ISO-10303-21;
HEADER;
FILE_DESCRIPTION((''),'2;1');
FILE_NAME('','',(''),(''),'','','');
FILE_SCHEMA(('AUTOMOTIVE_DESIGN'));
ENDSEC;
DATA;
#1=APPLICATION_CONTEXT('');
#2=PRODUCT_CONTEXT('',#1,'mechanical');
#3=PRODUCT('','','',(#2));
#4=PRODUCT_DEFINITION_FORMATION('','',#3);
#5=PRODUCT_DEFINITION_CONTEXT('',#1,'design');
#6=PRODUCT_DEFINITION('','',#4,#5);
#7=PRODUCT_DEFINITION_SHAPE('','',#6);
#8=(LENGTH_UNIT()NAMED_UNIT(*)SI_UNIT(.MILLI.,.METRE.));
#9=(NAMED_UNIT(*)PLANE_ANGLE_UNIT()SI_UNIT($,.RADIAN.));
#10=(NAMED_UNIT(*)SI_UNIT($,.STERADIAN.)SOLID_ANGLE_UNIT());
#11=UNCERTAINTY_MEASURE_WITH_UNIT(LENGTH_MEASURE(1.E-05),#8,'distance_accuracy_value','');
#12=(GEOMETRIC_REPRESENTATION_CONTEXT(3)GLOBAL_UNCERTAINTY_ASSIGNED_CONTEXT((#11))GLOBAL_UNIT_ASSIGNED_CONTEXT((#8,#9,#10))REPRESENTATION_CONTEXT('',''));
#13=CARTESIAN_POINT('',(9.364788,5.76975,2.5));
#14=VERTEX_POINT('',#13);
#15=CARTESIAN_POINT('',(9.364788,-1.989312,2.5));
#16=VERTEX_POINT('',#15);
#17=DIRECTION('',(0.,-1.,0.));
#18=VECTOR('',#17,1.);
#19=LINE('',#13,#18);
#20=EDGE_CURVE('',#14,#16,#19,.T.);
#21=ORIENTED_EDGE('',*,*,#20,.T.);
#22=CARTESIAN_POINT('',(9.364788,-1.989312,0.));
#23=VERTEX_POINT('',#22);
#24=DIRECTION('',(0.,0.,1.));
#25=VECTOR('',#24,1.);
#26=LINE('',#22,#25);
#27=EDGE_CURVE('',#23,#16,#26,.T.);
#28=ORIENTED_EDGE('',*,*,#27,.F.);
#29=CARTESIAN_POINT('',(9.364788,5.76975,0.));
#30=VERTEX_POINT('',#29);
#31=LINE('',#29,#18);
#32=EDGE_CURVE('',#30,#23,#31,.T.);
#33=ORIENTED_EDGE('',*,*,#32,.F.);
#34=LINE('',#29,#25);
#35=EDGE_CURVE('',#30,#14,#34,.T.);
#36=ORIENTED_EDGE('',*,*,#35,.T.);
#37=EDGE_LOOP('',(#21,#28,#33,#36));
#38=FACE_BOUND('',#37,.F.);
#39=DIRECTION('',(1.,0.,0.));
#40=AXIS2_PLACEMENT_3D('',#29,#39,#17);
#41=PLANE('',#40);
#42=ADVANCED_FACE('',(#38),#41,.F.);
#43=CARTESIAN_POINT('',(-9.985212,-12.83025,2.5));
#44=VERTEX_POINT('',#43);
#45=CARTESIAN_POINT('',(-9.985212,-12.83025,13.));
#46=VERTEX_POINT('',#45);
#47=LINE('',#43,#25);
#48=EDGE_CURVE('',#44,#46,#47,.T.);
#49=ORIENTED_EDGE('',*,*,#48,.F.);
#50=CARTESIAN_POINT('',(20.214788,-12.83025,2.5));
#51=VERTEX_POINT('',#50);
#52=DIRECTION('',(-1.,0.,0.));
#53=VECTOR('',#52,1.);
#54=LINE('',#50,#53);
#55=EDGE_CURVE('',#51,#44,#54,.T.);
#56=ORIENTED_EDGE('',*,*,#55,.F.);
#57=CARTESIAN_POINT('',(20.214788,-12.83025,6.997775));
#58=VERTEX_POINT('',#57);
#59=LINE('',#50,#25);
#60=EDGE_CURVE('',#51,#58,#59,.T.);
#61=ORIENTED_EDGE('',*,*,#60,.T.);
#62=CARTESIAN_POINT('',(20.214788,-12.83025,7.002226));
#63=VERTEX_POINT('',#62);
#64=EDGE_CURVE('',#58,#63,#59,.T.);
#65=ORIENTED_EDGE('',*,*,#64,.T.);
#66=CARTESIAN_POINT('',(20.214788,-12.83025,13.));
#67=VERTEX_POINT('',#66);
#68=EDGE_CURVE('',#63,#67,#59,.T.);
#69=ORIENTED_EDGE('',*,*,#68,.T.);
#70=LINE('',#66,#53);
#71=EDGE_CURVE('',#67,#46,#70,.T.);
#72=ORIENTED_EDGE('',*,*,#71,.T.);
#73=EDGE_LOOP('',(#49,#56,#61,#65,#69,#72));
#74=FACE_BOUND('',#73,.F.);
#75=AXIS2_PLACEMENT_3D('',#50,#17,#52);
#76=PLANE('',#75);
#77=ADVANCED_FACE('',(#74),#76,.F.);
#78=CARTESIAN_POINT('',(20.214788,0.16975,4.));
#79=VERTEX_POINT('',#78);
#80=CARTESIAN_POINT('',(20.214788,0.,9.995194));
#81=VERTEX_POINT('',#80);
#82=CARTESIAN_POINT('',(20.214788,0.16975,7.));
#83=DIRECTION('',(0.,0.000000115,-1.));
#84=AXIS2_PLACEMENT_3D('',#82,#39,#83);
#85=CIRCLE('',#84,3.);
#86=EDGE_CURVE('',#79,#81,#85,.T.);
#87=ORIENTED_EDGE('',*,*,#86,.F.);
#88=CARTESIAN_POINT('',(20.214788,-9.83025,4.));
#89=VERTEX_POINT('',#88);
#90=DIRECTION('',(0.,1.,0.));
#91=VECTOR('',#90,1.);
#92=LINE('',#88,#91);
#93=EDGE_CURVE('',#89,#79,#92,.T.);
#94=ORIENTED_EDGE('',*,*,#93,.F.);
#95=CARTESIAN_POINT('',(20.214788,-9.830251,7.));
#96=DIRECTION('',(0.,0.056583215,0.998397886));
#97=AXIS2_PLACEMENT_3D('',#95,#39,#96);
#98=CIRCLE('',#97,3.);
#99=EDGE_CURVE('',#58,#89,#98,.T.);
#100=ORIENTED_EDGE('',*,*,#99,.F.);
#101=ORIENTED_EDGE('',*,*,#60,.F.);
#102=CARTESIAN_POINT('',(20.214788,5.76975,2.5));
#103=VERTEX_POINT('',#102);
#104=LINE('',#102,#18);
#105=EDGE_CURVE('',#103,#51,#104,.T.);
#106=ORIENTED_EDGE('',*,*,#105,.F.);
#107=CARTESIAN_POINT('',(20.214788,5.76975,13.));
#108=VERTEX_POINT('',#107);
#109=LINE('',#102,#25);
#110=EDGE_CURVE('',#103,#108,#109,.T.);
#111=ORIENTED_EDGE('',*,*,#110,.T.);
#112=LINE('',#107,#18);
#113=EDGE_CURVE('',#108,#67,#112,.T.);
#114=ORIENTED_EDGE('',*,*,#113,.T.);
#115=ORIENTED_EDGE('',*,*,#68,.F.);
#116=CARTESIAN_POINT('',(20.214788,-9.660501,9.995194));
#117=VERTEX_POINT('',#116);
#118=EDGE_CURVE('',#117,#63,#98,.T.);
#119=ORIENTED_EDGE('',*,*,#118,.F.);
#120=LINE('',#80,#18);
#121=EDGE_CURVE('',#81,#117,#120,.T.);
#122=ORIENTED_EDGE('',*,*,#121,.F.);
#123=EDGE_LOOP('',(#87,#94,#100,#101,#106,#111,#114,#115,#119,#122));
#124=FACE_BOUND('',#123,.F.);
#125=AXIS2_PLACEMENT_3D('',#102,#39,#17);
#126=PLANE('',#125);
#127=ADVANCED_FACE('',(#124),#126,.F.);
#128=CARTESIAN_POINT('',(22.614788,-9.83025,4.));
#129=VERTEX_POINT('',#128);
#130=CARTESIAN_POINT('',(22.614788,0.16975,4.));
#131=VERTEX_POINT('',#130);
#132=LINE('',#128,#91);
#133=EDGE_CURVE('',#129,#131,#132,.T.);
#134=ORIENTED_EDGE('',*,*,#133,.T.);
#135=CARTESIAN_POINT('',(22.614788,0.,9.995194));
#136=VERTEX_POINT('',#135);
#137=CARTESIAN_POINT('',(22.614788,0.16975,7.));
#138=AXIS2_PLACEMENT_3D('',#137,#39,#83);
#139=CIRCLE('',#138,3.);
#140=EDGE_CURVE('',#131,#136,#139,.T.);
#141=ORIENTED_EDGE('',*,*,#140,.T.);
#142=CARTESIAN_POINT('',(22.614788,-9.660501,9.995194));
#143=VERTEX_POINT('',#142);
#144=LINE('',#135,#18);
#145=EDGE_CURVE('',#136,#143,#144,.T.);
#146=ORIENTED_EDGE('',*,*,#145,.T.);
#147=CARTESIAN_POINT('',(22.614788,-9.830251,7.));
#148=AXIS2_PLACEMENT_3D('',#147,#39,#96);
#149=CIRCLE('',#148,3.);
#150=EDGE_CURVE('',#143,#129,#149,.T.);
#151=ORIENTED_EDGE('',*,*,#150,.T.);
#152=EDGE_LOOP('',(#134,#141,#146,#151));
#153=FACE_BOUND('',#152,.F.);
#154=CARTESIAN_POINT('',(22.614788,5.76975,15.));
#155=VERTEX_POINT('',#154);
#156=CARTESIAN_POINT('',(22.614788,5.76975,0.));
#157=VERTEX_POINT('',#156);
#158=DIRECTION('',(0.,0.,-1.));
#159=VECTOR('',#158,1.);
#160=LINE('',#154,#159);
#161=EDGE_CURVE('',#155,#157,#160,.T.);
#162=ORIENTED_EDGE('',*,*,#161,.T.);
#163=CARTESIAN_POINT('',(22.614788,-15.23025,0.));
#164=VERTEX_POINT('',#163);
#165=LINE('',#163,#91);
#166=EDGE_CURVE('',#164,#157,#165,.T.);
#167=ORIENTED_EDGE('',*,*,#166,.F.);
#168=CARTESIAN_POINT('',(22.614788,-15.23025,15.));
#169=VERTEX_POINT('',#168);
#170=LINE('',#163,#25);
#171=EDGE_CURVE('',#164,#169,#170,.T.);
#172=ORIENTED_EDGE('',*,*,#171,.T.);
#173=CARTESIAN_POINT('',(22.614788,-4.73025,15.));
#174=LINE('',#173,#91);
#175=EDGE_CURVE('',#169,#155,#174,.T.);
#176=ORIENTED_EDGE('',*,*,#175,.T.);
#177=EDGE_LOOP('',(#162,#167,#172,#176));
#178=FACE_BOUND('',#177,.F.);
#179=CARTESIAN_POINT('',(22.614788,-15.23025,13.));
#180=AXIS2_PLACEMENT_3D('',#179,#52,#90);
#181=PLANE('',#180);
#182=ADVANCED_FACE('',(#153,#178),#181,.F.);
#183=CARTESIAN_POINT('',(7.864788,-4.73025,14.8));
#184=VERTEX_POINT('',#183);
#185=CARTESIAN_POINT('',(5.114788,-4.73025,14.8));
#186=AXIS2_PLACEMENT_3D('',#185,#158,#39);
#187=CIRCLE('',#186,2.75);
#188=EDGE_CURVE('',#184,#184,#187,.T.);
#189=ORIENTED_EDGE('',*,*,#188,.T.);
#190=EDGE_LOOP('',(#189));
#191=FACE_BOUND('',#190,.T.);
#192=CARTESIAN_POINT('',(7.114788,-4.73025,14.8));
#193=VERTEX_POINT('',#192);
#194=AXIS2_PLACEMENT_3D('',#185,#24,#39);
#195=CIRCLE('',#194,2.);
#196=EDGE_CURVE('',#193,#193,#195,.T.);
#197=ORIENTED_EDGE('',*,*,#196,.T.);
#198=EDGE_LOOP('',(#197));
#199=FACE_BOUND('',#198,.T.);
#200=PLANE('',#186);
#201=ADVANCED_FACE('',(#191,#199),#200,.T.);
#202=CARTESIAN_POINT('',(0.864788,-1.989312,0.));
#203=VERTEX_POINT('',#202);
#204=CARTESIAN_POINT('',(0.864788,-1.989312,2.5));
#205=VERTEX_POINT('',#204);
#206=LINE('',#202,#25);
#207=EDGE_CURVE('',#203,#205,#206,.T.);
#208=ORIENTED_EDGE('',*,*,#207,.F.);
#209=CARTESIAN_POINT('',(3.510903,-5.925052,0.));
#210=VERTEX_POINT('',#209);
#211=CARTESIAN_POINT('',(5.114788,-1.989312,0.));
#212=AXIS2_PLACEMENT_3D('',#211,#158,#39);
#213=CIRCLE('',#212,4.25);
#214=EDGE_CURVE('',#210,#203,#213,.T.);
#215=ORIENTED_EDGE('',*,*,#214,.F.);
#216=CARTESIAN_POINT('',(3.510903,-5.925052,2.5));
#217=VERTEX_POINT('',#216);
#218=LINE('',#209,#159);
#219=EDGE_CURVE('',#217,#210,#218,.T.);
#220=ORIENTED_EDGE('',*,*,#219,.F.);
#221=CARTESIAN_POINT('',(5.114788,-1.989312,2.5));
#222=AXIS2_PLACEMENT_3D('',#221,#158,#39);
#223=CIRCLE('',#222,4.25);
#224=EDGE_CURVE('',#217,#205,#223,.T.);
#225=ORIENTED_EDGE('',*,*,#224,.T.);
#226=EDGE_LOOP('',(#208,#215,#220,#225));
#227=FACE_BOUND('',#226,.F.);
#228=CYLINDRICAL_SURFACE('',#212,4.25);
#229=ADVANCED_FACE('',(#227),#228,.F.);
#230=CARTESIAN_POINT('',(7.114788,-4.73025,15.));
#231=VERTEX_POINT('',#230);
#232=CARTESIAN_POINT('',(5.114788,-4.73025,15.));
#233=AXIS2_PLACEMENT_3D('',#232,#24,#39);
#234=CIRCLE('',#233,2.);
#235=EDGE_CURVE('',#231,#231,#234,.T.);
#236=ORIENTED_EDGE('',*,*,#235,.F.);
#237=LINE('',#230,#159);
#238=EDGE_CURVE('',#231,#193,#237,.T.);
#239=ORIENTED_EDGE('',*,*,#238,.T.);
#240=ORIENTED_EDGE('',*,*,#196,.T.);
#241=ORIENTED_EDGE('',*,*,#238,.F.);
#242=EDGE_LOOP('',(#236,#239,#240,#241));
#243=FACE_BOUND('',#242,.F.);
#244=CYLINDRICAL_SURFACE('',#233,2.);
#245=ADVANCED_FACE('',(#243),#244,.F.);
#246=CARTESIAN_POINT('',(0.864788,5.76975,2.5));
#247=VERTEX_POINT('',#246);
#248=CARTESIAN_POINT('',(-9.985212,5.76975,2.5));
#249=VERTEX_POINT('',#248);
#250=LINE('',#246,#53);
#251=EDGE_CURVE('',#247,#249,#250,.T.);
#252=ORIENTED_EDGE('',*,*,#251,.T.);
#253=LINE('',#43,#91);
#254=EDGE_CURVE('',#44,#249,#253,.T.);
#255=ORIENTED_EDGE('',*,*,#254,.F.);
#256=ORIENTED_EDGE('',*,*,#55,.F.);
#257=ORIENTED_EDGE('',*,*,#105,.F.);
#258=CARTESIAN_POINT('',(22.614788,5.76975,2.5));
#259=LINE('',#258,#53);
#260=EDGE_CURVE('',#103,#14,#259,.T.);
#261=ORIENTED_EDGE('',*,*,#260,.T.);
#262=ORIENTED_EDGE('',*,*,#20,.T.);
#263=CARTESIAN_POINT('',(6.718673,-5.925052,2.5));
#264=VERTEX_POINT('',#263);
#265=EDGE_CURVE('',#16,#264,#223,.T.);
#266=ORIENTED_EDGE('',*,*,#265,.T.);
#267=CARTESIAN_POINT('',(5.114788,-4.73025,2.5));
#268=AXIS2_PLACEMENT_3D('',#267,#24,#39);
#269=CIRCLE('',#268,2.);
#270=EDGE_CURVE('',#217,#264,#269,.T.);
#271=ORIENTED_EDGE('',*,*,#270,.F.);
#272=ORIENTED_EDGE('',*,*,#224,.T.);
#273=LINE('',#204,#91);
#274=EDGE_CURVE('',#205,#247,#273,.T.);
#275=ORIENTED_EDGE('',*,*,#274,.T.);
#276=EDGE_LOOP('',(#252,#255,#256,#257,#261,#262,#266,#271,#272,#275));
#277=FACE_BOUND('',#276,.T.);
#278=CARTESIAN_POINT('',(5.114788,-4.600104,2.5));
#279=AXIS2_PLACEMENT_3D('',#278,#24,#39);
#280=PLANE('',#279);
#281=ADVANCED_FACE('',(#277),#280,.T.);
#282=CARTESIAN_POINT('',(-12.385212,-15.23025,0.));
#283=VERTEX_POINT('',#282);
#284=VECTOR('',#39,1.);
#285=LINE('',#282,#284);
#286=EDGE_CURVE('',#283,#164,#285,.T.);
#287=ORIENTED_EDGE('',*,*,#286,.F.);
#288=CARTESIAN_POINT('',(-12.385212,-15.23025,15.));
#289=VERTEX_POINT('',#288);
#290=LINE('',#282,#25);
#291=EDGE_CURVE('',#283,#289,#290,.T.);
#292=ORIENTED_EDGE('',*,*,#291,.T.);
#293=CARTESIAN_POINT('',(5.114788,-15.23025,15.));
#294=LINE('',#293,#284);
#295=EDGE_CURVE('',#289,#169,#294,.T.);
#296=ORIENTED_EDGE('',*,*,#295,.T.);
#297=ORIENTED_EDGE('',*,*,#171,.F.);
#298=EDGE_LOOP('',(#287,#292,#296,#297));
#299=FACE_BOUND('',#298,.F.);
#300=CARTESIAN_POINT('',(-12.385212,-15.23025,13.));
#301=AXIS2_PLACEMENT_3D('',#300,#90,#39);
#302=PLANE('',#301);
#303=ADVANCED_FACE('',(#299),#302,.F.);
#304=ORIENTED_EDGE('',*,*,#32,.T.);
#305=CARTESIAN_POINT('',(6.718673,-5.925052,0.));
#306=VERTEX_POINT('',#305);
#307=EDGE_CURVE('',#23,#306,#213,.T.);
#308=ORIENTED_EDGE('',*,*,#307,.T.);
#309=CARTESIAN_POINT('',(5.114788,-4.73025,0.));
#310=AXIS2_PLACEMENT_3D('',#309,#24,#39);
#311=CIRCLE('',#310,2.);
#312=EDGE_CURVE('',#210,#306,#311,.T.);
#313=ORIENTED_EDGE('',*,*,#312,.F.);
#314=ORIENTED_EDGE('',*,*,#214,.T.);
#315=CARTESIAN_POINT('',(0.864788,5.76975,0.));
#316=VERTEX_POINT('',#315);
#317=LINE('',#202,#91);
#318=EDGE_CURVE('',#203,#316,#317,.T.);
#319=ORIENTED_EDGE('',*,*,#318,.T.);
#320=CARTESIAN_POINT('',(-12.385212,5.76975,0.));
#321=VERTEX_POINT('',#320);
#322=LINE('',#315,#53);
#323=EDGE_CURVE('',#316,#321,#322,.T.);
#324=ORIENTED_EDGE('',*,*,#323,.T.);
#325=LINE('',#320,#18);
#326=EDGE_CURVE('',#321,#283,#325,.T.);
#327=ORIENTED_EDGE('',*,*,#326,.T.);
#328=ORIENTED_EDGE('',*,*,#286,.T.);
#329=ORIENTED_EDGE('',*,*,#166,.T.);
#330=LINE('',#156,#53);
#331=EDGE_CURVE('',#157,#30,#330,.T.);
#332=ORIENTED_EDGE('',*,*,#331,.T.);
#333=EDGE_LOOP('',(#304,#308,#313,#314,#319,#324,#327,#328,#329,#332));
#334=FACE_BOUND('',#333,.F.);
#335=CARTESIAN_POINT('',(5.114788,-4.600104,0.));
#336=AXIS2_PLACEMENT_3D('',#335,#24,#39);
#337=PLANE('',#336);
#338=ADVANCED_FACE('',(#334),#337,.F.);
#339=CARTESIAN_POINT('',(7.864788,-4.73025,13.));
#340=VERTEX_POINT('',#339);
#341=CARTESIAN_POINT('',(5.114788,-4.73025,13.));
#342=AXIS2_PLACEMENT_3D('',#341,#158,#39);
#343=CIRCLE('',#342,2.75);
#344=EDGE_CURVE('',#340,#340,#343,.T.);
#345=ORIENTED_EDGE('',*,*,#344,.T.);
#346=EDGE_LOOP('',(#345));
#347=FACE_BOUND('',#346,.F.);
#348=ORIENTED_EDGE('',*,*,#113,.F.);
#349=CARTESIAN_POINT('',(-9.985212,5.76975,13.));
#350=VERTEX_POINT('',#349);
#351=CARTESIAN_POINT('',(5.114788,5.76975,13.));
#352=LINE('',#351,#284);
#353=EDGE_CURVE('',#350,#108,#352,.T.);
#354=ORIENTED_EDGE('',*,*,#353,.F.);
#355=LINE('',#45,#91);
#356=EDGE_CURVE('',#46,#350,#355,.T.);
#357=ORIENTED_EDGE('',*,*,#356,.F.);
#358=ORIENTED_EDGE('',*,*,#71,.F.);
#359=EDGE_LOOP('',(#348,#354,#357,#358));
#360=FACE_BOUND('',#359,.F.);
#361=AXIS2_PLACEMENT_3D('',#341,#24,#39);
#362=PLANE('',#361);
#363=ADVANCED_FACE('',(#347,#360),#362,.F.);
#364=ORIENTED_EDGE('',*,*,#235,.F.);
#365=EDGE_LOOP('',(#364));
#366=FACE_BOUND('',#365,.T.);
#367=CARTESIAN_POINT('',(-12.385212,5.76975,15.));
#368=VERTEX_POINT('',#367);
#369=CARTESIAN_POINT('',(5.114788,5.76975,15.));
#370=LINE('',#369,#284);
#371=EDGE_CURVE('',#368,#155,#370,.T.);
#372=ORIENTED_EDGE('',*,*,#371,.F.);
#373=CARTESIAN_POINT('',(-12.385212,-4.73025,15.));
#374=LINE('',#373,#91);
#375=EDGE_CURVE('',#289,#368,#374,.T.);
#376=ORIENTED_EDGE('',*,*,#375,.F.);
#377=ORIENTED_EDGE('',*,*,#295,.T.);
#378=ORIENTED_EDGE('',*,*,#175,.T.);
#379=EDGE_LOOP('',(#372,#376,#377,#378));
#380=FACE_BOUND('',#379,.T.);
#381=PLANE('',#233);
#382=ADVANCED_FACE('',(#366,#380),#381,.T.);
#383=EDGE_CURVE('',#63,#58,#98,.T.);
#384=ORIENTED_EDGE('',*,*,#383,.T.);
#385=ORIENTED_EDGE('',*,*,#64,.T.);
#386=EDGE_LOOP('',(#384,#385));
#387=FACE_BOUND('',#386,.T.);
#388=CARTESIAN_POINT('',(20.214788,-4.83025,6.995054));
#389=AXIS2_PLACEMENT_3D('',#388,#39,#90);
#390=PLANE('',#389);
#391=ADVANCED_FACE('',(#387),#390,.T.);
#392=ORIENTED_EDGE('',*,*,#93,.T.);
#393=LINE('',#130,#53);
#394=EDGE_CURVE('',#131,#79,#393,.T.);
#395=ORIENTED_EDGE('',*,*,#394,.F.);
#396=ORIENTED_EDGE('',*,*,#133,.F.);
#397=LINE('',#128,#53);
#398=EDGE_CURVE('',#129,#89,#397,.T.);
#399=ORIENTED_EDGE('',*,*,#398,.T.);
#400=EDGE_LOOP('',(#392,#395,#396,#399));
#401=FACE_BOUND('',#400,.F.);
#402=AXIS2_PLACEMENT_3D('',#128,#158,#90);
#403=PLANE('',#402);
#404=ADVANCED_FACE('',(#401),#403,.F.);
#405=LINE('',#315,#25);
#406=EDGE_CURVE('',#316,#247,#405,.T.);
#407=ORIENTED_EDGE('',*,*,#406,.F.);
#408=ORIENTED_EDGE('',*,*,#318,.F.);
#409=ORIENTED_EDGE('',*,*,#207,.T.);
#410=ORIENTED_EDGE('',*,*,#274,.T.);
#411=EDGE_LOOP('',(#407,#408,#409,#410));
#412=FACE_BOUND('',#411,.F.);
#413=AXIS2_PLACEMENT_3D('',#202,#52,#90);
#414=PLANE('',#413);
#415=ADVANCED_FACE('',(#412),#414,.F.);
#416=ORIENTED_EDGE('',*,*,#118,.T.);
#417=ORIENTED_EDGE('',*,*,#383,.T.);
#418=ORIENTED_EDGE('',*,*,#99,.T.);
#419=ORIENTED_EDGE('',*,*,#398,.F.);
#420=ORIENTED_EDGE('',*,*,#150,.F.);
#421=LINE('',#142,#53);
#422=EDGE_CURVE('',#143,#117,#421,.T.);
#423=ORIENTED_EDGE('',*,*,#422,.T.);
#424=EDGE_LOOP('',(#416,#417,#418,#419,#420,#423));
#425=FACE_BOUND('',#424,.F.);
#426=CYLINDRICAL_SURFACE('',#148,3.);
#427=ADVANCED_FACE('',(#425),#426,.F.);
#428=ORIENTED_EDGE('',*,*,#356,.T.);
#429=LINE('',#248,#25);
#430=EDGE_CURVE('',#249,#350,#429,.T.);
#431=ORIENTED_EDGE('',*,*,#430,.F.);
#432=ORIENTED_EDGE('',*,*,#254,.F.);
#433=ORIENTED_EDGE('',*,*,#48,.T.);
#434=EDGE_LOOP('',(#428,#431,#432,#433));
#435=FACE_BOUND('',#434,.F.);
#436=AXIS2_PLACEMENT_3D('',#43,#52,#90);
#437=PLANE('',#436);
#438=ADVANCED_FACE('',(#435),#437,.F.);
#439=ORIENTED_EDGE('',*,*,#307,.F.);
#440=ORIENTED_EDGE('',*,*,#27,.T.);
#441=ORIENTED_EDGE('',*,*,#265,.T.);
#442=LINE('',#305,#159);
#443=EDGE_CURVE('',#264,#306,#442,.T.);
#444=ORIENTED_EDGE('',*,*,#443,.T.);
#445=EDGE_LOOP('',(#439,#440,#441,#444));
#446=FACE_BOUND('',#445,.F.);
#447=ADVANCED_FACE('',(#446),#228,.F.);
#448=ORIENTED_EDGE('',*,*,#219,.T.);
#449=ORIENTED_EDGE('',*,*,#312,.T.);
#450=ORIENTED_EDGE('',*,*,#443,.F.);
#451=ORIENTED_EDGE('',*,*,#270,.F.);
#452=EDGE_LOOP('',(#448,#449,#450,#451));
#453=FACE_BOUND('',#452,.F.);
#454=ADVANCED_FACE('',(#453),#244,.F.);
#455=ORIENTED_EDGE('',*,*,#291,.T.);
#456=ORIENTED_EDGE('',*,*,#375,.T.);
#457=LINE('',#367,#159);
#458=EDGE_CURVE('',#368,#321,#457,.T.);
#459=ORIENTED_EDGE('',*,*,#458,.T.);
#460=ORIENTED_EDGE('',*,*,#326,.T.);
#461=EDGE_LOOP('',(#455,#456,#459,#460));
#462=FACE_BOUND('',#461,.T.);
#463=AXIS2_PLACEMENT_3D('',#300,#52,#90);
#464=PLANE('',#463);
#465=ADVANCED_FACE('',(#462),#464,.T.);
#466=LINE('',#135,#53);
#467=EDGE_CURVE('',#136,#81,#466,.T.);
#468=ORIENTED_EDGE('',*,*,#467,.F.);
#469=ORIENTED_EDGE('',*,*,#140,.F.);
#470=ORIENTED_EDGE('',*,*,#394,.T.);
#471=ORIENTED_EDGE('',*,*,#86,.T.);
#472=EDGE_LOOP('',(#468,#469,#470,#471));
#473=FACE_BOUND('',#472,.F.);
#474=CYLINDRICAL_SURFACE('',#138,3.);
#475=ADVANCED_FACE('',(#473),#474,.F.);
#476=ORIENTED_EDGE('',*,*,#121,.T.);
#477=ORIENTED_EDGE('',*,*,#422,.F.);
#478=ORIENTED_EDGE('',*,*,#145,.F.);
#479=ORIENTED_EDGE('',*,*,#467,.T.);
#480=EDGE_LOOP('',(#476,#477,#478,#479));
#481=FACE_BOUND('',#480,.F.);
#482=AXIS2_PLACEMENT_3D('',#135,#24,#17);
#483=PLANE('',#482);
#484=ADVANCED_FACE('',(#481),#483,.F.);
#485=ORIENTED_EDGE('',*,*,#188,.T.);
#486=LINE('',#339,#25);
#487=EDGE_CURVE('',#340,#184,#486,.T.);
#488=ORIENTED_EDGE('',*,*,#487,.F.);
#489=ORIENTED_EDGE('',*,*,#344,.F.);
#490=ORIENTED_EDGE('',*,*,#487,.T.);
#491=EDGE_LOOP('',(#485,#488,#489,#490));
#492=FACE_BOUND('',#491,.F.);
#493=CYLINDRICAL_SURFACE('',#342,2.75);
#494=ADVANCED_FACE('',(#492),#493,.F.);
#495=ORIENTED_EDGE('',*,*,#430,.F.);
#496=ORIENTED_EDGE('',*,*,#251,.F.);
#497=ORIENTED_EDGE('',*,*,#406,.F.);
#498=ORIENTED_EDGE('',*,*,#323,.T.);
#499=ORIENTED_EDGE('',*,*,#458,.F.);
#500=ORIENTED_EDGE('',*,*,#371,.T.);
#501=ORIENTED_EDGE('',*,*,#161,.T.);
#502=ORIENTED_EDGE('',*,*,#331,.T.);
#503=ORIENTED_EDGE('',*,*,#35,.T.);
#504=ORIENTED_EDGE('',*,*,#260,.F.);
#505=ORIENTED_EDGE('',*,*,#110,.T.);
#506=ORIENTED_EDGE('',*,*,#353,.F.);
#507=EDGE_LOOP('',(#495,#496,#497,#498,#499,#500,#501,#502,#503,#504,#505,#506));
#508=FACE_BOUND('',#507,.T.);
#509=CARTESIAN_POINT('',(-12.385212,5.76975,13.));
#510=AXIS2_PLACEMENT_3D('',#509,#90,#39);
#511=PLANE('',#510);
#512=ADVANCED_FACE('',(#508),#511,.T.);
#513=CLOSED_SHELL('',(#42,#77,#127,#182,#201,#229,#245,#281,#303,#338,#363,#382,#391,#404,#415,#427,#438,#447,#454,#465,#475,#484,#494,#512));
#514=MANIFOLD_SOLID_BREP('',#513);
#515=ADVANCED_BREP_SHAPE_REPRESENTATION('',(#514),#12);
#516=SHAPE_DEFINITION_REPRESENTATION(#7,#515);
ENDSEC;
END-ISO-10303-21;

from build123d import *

# Parameters (mm, degrees)
F1_DEPTH  = 2.5
F3_DEPTH  = 10.5
F4_W      = 35
F4_H      = 21
F5_DEPTH  = 2
F7_DEPTH  = 2.4
F8_R      = 2
F9_DEPTH  = 25
F10_R     = 2.75
F11_DEPTH = 1.8


with BuildPart() as f1:
    # F0 (on Top) → F1 (new body)
    with BuildSketch(Plane.XY):
        with BuildLine():
            Line((0.864788, 5.76975), (-12.385212, 5.76975))
            Line((-12.385212, 5.76975), (-12.385212, -15.23025))
            Line((-12.385212, -15.23025), (22.614788, -15.23025))
            Line((22.614788, -15.23025), (22.614788, 5.76975))
            Line((22.614788, 5.76975), (9.364788, 5.76975))
            Line((9.364788, 5.76975), (9.364788, -1.989312))
            ThreePointArc((9.364788, -1.989312), (5.114788, -6.239312), (0.864788, -1.989312))
            Line((0.864788, -1.989312), (0.864788, 5.76975))
        make_face()
    extrude(amount=F1_DEPTH)

    # F2 (on face) → F3 (join)
    with BuildSketch(Plane.XY.offset(2.5)):
        Polygon((-9.985212, 5.76975), (-12.385212, 5.76975), (-12.385212, -15.23025), (22.614788, -15.23025), (22.614788, 5.76975), (20.214788, 5.76975), (20.214788, -12.83025), (-9.985212, -12.83025), align=None)
    extrude(amount=F3_DEPTH)

    # F4 (on face) → F5 (join)
    with BuildSketch(Plane.XY.offset(13)):
        with Locations((5.114788, -4.73025)):
            Rectangle(F4_W, F4_H)
    extrude(amount=F5_DEPTH)

    # F6 (on face) → F7 (cut)
    with BuildSketch(Plane.YZ.offset(22.614788)):
        with BuildLine():
            Line((-9.83025, 4), (0.16975, 4))
            ThreePointArc((0.16975, 4), (3.168548, 7.084909), (0, 9.995194))
            Line((0, 9.995194), (-9.660501, 9.995194))
            ThreePointArc((-9.660501, 9.995194), (-12.829049, 7.084909), (-9.83025, 4))
        make_face()
    extrude(amount=-F7_DEPTH, mode=Mode.SUBTRACT)

    # F8 (on face) → F9 (cut)
    with BuildSketch(Plane.XY.offset(15)):
        with Locations((5.114788, -4.73025)):
            Circle(F8_R)
    extrude(amount=-F9_DEPTH, mode=Mode.SUBTRACT)

    # F10 (on face) → F11 (cut)
    with BuildSketch(Plane(origin=(0, 0, 13), x_dir=(1, 0, 0), z_dir=(0, 0, -1))):
        with Locations((5.114788, 4.73025)):
            Circle(F10_R)
    extrude(amount=-F11_DEPTH, mode=Mode.SUBTRACT)


solid = f1.part
